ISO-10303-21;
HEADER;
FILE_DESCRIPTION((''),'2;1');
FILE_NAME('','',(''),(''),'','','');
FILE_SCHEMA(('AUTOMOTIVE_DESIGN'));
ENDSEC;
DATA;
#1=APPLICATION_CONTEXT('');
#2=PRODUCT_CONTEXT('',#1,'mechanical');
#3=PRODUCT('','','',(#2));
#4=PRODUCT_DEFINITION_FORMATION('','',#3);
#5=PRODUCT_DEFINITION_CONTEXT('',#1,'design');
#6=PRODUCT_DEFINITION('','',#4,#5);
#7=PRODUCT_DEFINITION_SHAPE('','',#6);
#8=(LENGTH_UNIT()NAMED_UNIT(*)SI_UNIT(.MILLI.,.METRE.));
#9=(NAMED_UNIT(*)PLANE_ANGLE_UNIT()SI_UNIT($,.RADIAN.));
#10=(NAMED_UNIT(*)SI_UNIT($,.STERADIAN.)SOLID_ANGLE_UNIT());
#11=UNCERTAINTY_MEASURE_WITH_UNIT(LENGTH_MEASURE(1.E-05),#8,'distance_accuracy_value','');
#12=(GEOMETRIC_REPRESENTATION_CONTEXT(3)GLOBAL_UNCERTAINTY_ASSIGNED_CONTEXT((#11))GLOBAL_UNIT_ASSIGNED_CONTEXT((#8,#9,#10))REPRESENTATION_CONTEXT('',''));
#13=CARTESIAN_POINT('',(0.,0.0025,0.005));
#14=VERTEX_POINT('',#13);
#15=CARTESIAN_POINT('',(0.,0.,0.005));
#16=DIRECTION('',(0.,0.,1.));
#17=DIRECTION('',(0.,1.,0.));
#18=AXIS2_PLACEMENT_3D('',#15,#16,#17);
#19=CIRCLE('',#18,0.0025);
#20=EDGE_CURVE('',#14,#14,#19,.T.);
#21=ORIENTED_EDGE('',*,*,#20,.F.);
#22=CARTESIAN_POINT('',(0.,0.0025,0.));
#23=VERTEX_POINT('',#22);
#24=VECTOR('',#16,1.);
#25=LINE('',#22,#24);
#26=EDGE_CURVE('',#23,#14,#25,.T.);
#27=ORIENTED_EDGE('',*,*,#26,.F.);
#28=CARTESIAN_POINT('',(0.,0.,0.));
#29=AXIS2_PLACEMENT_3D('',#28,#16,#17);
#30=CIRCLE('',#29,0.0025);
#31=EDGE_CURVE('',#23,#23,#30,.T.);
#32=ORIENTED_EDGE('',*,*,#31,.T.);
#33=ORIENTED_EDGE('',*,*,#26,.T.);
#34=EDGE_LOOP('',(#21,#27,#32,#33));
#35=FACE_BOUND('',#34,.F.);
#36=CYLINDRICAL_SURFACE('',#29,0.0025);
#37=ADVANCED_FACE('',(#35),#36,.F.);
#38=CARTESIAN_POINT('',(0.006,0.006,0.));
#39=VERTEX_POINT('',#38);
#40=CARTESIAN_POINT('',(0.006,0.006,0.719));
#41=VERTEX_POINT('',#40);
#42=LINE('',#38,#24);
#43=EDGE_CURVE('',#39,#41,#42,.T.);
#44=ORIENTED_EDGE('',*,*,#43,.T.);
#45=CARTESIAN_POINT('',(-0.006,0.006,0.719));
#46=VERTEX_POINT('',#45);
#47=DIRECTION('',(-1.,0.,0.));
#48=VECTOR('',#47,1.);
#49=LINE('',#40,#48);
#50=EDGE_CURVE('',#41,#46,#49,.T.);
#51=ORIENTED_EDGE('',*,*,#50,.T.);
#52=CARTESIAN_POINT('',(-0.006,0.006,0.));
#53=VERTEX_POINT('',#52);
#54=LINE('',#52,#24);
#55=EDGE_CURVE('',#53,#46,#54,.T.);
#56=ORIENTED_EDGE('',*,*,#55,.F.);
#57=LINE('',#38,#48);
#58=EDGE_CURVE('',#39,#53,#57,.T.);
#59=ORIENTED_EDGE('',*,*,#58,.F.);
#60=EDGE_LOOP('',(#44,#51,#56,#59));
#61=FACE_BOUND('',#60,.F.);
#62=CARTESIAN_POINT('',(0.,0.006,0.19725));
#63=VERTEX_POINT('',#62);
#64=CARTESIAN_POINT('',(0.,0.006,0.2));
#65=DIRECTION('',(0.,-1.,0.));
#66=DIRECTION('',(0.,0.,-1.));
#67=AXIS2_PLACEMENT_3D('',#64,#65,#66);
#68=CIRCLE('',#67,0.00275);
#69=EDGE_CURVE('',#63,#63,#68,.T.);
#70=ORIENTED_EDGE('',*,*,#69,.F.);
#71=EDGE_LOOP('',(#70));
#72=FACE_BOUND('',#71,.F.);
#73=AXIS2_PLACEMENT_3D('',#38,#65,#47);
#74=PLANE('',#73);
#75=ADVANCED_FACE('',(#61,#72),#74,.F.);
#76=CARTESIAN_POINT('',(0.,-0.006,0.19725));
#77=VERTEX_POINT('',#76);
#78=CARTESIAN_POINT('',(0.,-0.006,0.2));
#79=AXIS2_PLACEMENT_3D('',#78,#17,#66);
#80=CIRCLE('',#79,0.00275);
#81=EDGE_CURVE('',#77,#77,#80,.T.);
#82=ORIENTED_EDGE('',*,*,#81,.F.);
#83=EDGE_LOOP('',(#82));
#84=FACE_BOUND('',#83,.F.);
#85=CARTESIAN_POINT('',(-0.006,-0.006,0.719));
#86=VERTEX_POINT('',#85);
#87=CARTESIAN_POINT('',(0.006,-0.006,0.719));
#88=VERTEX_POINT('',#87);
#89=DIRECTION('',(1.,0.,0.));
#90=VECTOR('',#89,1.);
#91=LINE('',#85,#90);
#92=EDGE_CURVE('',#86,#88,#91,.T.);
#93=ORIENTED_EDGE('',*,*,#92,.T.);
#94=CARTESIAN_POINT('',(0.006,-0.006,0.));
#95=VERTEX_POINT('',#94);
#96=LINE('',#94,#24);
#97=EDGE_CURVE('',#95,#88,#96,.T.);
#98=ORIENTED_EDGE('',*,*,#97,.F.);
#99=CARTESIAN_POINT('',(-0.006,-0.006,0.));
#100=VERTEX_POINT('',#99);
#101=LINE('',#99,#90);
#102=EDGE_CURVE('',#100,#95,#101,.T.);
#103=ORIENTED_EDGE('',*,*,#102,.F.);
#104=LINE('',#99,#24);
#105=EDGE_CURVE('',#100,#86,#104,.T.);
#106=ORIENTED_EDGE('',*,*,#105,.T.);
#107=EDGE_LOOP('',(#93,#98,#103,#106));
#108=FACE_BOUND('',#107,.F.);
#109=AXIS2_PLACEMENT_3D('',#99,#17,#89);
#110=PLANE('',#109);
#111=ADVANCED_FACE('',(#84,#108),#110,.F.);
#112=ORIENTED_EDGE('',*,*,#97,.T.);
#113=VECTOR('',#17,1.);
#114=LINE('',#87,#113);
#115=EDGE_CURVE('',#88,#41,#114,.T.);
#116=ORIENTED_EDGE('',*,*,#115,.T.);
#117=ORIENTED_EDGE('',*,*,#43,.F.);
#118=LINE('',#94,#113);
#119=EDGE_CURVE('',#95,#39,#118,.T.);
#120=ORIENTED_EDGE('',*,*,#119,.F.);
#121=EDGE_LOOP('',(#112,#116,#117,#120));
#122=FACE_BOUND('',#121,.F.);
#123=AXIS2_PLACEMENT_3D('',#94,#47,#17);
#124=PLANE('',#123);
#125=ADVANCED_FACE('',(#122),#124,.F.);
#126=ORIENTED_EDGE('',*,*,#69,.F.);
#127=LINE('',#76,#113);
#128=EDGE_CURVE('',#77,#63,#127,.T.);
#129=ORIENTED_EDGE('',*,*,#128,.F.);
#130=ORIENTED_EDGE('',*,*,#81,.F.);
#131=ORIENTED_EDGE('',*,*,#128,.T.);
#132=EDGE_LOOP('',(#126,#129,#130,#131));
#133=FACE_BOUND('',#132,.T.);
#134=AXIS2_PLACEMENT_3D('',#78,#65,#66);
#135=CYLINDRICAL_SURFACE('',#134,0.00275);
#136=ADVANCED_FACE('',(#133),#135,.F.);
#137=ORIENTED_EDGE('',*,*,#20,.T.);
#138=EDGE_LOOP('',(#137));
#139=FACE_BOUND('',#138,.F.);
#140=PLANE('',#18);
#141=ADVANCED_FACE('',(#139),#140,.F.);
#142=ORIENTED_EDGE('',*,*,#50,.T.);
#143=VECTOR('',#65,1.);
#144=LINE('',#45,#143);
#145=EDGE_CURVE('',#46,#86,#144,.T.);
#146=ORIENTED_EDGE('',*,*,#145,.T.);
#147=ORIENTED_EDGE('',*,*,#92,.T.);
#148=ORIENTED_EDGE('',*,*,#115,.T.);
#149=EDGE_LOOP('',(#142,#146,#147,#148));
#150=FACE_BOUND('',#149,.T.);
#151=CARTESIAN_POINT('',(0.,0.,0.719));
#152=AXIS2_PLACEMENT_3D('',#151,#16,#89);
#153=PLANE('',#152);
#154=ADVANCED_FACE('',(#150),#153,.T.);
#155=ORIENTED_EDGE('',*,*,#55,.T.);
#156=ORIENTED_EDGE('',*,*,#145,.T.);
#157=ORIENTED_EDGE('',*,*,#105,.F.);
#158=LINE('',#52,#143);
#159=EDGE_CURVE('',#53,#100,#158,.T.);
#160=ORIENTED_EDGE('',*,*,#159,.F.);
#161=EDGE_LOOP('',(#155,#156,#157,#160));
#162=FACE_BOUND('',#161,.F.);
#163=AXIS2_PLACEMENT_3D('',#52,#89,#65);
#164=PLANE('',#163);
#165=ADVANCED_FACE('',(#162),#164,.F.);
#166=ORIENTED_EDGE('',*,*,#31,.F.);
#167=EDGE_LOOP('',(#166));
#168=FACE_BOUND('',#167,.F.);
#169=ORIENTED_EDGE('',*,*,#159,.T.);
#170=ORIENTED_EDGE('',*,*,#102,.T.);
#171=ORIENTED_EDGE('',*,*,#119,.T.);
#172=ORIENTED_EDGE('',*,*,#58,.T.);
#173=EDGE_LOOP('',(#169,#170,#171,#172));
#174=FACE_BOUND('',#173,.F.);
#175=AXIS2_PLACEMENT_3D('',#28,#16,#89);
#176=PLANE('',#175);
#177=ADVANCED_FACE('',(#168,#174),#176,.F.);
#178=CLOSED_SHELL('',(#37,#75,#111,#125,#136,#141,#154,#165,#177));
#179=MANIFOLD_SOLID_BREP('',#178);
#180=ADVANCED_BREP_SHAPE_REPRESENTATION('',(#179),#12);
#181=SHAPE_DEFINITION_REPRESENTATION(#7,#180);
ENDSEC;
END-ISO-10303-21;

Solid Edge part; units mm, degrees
sketch "Sketch1" plane through (0, 0, 0) normal (0, 0, 1) x (1, 0, 0)
  line L0 (-0.006, -0.006) -> (0.006, -0.006)
  line L1 (0.006, -0.006) -> (0.006, 0.006)
  line L2 (0.006, 0.006) -> (-0.006, 0.006)
  line L3 (-0.006, 0.006) -> (-0.006, -0.006)
  dimension "D1" = 0.012
extrude "Protrusion1" add sketch "Sketch1" along normal blind 0.719
hole "Bohrung_1" at (0, -0.006, 0.2) direction (0, 1, 0) diameter 0.0055 end through all
hole "Bohrung_2" at (0, 0, 0) direction (0, 0, 1) diameter 0.005 depth 0.005
